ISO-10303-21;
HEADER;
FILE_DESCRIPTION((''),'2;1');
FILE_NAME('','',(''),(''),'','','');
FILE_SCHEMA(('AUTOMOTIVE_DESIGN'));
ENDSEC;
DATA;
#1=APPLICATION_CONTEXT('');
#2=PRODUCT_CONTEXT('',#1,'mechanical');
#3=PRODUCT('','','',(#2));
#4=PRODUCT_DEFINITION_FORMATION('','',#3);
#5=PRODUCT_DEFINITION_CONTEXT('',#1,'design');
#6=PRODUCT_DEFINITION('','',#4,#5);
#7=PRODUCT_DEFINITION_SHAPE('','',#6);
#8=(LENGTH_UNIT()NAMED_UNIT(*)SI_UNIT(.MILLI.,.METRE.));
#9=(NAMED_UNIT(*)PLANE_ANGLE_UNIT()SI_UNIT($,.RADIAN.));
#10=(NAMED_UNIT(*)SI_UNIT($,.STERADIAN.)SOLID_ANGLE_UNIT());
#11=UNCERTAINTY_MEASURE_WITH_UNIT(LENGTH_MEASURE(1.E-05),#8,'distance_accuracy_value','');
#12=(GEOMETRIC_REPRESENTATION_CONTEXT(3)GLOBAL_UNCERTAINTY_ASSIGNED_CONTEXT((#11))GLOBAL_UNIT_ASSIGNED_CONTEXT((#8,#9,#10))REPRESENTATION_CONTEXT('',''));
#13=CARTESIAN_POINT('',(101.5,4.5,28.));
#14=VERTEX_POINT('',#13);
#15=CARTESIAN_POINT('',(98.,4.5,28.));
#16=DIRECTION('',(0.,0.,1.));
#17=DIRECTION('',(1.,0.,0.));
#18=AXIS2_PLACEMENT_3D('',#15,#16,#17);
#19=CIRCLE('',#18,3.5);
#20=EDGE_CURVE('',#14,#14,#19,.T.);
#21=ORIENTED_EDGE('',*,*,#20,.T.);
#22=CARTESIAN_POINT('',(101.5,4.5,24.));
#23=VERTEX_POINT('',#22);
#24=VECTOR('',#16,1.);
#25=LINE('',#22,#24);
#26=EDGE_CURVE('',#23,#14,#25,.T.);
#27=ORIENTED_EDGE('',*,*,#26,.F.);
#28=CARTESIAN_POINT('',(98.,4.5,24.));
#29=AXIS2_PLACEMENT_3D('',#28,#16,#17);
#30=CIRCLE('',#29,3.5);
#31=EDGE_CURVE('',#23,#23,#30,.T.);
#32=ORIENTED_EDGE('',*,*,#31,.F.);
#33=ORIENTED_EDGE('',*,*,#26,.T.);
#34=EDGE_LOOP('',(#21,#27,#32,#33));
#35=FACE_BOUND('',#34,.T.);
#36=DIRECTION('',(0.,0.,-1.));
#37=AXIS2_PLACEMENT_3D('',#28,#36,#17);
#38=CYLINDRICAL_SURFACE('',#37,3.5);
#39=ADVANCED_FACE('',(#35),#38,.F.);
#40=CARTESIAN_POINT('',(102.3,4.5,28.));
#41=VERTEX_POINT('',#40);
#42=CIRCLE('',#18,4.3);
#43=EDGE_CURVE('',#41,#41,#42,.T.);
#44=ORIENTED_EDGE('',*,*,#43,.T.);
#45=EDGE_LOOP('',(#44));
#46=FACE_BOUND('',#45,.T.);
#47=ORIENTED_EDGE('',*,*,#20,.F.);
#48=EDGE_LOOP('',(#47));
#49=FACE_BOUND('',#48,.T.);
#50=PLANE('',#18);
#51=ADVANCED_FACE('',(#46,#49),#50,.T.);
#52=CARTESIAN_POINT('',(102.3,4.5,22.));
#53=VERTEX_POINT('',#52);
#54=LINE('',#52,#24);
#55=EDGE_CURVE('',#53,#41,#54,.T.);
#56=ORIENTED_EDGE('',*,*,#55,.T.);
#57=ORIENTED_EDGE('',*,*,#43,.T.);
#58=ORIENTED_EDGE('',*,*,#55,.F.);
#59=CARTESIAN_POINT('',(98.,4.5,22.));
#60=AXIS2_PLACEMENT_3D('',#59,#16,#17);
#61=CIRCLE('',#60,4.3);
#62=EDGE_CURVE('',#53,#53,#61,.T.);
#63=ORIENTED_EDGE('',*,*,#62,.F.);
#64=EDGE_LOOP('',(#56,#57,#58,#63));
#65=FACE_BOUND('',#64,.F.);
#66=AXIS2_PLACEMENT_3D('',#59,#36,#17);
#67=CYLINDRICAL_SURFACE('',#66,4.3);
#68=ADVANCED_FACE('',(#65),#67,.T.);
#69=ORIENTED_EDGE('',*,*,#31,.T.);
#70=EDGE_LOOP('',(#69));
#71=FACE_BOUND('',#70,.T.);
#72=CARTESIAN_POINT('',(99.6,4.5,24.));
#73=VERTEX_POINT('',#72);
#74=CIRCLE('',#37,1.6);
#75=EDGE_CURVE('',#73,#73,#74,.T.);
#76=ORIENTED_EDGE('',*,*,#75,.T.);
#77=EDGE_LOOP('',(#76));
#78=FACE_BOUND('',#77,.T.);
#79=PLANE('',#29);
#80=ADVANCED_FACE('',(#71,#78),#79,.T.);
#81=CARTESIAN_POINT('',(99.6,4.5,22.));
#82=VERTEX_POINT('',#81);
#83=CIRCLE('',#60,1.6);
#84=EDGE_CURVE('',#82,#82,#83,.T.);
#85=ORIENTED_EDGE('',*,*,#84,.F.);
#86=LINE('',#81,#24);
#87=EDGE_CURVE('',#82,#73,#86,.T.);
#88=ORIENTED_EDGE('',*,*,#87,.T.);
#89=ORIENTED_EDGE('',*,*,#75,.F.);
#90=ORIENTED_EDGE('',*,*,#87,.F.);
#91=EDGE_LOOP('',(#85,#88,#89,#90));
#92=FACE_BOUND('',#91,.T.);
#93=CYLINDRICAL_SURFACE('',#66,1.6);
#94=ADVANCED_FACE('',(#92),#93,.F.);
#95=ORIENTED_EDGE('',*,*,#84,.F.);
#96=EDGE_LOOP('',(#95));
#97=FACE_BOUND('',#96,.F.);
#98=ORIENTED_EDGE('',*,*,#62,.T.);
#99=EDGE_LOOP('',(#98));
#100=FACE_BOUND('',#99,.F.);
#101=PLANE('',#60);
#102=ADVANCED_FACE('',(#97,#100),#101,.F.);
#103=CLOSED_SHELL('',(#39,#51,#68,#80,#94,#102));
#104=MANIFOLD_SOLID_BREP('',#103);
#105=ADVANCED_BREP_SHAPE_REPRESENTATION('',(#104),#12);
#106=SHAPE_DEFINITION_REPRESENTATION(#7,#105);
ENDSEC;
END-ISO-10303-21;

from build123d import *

# Parameters (mm, degrees)
CYLINDER025_R     = 1.6
CYLINDER025_DEPTH = 5
CYLINDER022_R     = 3.5
CYLINDER022_DEPTH = 4
CYLINDER024_R     = 4.3
CYLINDER024_DEPTH = 6


with BuildPart() as cylinder025:
    # Cylinder025 → Cylinder025 (new body)
    with BuildSketch(Plane(origin=(98, 4.5, 22), x_dir=(1, 0, 0), z_dir=(0, 0, 1))):
        Circle(CYLINDER025_R)
    extrude(amount=CYLINDER025_DEPTH)


with BuildPart() as cylinder022:
    # Cylinder022 → Cylinder022 (new body)
    with BuildSketch(Plane(origin=(98, 4.5, 24), x_dir=(1, 0, 0), z_dir=(0, 0, 1))):
        Circle(CYLINDER022_R)
    extrude(amount=CYLINDER022_DEPTH)


with BuildPart() as cut004003004003003004004009:
    # Cylinder024 → Cylinder024 (new body)
    with BuildSketch(Plane(origin=(98, 4.5, 22), x_dir=(1, 0, 0), z_dir=(0, 0, 1))):
        Circle(CYLINDER024_R)
    extrude(amount=CYLINDER024_DEPTH)

    # Cut004003004003003004004006: cut Cylinder022
    add(cylinder022.part, mode=Mode.SUBTRACT)

    # Cut004003004003003004004009: cut Cylinder025
    add(cylinder025.part, mode=Mode.SUBTRACT)


solid = cut004003004003003004004009.part
